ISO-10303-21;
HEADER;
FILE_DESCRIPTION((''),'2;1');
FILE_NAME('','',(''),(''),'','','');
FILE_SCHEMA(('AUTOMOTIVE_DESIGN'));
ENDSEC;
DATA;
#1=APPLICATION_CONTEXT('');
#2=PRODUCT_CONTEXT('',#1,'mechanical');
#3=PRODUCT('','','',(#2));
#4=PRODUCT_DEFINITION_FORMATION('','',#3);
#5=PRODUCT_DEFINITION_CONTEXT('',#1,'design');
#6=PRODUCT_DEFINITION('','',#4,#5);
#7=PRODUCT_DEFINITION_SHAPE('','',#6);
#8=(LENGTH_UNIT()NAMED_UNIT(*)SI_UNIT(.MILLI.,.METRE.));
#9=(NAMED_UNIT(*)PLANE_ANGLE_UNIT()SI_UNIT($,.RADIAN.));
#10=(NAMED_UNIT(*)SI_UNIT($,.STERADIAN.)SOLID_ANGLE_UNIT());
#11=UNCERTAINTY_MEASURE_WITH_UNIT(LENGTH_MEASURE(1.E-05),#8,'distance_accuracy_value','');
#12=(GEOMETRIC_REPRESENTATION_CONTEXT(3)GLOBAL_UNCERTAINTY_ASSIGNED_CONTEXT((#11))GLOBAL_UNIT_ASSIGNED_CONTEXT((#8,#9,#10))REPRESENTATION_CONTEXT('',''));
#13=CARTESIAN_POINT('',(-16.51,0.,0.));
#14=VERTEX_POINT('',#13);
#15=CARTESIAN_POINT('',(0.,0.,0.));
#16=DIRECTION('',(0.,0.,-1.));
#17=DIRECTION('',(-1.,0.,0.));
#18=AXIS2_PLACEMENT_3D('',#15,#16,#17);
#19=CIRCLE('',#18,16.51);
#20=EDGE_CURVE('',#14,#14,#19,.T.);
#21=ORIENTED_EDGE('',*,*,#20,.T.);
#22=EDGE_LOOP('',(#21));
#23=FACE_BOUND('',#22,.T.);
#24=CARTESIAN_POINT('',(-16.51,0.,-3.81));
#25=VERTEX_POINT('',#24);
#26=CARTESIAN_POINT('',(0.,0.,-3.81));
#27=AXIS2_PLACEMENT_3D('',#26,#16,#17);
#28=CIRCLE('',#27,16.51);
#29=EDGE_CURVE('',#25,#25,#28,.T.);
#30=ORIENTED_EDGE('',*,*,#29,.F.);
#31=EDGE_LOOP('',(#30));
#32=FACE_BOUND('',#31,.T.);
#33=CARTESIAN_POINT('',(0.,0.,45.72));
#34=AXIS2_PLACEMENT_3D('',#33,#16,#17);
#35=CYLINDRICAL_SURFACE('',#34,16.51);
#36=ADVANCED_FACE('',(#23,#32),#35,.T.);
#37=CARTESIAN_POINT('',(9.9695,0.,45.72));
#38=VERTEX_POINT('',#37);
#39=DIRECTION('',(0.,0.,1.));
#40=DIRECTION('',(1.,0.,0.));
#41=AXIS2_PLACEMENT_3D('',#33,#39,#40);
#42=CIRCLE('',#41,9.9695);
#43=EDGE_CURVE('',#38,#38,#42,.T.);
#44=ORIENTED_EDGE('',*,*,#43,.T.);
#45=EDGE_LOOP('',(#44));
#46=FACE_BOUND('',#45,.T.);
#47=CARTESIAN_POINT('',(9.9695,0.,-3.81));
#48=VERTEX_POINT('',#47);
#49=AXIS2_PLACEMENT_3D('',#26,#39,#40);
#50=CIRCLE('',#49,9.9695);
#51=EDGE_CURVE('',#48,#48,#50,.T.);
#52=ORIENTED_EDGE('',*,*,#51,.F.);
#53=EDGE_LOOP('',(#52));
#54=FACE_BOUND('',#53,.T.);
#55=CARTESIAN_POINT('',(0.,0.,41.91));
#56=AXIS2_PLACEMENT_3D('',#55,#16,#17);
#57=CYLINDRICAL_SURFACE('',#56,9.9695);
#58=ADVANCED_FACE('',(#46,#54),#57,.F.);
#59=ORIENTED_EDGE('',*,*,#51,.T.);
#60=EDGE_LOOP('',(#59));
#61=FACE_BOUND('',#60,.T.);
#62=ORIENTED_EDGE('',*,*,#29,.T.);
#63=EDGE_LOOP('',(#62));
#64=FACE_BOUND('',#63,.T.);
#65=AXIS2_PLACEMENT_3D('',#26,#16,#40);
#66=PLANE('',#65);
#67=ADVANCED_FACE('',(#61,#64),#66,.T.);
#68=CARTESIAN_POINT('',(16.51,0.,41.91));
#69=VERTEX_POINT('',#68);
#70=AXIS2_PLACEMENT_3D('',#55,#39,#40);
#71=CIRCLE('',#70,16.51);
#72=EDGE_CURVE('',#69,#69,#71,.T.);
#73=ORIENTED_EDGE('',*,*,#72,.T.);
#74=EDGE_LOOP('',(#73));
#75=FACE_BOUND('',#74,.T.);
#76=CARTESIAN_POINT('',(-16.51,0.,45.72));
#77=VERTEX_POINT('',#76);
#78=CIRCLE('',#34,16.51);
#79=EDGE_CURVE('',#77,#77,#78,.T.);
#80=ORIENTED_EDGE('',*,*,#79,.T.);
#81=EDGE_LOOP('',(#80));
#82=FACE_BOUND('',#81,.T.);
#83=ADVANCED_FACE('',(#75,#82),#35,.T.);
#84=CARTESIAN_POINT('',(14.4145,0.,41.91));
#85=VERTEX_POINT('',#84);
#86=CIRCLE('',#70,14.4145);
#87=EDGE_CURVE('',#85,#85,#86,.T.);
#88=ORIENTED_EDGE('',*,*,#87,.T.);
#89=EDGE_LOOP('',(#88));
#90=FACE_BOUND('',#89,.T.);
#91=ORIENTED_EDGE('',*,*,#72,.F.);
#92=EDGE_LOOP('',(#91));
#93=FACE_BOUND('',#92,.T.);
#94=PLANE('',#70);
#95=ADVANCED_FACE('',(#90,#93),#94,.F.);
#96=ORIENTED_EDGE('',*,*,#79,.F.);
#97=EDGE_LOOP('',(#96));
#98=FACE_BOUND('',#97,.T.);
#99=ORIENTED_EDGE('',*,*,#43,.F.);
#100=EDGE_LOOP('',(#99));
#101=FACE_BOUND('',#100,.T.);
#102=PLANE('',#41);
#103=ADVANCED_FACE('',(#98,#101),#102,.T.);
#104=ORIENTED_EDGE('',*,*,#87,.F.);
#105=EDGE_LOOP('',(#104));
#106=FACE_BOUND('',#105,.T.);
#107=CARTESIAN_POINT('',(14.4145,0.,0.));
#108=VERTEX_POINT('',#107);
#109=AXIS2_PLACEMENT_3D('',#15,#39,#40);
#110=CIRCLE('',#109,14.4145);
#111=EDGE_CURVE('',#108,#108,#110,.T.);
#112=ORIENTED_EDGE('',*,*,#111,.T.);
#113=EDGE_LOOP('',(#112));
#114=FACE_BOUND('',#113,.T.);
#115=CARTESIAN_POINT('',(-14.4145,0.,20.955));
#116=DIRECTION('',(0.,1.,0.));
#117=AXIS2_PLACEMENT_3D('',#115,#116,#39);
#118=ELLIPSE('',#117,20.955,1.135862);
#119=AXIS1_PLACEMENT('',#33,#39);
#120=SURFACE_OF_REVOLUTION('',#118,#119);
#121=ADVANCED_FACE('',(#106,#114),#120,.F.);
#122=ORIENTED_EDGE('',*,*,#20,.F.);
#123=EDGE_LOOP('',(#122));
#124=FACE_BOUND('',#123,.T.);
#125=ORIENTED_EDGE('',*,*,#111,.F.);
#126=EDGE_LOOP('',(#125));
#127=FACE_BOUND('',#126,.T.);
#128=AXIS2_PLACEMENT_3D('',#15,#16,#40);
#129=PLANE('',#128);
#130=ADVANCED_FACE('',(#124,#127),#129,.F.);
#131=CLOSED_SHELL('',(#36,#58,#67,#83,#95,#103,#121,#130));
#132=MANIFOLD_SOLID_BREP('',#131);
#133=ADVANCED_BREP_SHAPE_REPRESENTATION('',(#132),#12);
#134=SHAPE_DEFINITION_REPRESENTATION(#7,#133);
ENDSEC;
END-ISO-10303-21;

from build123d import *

# Parameters (mm, degrees)
SKETCH1_R           = 14.4145
SKETCH1_R_2         = 9.9695
BOSS_EXTRUDE1_DEPTH = 41.91
SKETCH2_R           = 19.05
SKETCH2_R_2         = 9.9695
BOSS_EXTRUDE2_DEPTH = 3.81
FILLET1_R           = 1.778
SKETCH3_RX          = 20.955
SKETCH3_RY          = 1.135862225
SKETCH4_R           = 19.05
SKETCH4_R_2         = 16.51
RIM_CUT_DEPTH       = 50.53


with BuildPart() as part:
    # Sketch1 → Boss-Extrude1 (new body)
    with BuildSketch(Plane.XY):
        Circle(SKETCH1_R)
        Circle(SKETCH1_R_2, mode=Mode.SUBTRACT)
    extrude(amount=BOSS_EXTRUDE1_DEPTH)

    # Sketch2 → Boss-Extrude2 (add)
    with BuildSketch(Plane.XY.offset(41.91)):
        Circle(SKETCH2_R)
        Circle(SKETCH2_R_2, mode=Mode.SUBTRACT)
    boss_extrude2 = extrude(amount=BOSS_EXTRUDE2_DEPTH)

    # Mirror1: Boss-Extrude2 across plane
    add(boss_extrude2.mirror(Plane.XY.offset(20.955)))

    # Fillet1
    fillet1_edges = [part.edges().sort_by_distance(p)[0] for p in [
        (-19.05, 0, 41.91),
        (-19.05, 0, 0),
    ]]
    fillet(fillet1_edges, radius=FILLET1_R)

    # Sketch3 → Cut-Revolve1 (revolve, cut)
    with BuildSketch(Plane(origin=(0, 0, 0), x_dir=(1, 0, 0), z_dir=(0, 1, 0))):
        with Locations(Location((-14.4145, -20.955), (0, 0, -90))):
            Ellipse(SKETCH3_RX, SKETCH3_RY)
    revolve(axis=Axis((0, 0, 45.72), (0, 0, -1)), mode=Mode.SUBTRACT)

    # Sketch4 → Rim_Cut (cut, through all)
    with BuildSketch(Plane(origin=(0, 0, -3.81), x_dir=(-1, 0, 0), z_dir=(0, 0, -1))):
        Circle(SKETCH4_R)
        Circle(SKETCH4_R_2, mode=Mode.SUBTRACT)
    extrude(amount=-RIM_CUT_DEPTH, mode=Mode.SUBTRACT)


solid = part.part
